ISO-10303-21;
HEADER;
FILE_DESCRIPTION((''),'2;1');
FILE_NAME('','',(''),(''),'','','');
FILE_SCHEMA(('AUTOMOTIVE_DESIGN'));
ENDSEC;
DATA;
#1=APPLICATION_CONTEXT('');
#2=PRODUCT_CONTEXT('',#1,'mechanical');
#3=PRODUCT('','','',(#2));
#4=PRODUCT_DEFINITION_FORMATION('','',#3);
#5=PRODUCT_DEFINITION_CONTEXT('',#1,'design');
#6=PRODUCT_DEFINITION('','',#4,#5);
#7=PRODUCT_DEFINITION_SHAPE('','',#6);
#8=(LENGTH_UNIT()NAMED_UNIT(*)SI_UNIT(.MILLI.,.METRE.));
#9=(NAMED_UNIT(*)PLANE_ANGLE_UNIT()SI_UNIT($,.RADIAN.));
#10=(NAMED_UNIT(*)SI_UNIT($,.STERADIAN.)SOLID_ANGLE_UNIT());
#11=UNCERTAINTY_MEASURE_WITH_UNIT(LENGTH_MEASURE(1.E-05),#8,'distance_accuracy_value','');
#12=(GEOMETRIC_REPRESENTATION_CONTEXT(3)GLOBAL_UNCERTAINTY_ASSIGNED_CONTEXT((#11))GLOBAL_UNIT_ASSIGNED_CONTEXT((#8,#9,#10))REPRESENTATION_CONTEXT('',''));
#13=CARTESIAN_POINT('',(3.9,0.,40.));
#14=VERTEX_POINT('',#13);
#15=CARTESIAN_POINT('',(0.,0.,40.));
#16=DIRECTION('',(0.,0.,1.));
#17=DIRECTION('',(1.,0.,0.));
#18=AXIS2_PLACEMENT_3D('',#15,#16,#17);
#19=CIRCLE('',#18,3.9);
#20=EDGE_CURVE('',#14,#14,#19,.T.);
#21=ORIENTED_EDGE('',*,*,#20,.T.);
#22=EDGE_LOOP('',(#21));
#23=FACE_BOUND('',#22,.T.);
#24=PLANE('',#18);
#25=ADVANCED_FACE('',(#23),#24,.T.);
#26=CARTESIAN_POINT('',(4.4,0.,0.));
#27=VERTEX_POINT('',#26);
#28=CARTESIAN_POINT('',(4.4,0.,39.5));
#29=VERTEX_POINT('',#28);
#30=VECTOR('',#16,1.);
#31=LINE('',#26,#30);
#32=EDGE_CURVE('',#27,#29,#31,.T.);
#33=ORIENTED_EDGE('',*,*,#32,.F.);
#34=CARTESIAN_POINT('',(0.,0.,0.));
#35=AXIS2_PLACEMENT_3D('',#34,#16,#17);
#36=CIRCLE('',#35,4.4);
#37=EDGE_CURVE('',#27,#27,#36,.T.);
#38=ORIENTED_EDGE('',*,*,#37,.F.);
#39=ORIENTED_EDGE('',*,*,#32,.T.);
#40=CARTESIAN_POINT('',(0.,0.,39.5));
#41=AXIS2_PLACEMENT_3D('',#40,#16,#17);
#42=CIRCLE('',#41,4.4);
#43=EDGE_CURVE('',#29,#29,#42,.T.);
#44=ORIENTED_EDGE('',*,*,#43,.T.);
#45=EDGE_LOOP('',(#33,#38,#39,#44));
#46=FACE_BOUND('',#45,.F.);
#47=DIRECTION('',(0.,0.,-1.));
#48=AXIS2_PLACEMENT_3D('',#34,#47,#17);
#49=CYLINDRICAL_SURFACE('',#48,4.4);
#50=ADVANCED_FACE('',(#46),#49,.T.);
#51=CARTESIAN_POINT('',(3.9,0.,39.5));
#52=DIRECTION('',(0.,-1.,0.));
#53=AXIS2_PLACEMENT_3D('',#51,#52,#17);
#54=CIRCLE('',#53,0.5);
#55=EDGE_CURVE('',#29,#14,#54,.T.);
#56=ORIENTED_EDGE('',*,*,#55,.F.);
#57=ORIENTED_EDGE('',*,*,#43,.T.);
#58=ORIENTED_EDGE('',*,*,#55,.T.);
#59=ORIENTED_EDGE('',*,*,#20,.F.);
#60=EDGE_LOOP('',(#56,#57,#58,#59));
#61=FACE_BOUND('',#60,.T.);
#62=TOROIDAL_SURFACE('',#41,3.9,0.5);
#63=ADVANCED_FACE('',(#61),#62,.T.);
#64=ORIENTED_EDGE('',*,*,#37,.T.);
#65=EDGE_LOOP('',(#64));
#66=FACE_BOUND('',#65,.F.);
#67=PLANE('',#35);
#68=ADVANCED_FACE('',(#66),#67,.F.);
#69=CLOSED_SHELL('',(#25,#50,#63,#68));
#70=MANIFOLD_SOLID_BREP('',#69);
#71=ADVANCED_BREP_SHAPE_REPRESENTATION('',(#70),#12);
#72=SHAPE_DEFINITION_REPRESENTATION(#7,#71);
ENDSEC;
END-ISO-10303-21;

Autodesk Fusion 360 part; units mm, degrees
sketch "Sketch3" plane through (0, 0, 0) normal (0, 0, 1) x (1, 0, 0)
  circle A0 centre (0, 0) radius 4.4
  dimension "d4" = 8.8
extrude "Extrude1" add sketch "Sketch3" along normal blind 40
fillet "Fillet1" radius 0.5 1 edges at (-4.1022, -1.5911, 40)
equation "Tolerance = 0.1 mm"
equation "d4 = 9 mm - 2 * Tolerance"
